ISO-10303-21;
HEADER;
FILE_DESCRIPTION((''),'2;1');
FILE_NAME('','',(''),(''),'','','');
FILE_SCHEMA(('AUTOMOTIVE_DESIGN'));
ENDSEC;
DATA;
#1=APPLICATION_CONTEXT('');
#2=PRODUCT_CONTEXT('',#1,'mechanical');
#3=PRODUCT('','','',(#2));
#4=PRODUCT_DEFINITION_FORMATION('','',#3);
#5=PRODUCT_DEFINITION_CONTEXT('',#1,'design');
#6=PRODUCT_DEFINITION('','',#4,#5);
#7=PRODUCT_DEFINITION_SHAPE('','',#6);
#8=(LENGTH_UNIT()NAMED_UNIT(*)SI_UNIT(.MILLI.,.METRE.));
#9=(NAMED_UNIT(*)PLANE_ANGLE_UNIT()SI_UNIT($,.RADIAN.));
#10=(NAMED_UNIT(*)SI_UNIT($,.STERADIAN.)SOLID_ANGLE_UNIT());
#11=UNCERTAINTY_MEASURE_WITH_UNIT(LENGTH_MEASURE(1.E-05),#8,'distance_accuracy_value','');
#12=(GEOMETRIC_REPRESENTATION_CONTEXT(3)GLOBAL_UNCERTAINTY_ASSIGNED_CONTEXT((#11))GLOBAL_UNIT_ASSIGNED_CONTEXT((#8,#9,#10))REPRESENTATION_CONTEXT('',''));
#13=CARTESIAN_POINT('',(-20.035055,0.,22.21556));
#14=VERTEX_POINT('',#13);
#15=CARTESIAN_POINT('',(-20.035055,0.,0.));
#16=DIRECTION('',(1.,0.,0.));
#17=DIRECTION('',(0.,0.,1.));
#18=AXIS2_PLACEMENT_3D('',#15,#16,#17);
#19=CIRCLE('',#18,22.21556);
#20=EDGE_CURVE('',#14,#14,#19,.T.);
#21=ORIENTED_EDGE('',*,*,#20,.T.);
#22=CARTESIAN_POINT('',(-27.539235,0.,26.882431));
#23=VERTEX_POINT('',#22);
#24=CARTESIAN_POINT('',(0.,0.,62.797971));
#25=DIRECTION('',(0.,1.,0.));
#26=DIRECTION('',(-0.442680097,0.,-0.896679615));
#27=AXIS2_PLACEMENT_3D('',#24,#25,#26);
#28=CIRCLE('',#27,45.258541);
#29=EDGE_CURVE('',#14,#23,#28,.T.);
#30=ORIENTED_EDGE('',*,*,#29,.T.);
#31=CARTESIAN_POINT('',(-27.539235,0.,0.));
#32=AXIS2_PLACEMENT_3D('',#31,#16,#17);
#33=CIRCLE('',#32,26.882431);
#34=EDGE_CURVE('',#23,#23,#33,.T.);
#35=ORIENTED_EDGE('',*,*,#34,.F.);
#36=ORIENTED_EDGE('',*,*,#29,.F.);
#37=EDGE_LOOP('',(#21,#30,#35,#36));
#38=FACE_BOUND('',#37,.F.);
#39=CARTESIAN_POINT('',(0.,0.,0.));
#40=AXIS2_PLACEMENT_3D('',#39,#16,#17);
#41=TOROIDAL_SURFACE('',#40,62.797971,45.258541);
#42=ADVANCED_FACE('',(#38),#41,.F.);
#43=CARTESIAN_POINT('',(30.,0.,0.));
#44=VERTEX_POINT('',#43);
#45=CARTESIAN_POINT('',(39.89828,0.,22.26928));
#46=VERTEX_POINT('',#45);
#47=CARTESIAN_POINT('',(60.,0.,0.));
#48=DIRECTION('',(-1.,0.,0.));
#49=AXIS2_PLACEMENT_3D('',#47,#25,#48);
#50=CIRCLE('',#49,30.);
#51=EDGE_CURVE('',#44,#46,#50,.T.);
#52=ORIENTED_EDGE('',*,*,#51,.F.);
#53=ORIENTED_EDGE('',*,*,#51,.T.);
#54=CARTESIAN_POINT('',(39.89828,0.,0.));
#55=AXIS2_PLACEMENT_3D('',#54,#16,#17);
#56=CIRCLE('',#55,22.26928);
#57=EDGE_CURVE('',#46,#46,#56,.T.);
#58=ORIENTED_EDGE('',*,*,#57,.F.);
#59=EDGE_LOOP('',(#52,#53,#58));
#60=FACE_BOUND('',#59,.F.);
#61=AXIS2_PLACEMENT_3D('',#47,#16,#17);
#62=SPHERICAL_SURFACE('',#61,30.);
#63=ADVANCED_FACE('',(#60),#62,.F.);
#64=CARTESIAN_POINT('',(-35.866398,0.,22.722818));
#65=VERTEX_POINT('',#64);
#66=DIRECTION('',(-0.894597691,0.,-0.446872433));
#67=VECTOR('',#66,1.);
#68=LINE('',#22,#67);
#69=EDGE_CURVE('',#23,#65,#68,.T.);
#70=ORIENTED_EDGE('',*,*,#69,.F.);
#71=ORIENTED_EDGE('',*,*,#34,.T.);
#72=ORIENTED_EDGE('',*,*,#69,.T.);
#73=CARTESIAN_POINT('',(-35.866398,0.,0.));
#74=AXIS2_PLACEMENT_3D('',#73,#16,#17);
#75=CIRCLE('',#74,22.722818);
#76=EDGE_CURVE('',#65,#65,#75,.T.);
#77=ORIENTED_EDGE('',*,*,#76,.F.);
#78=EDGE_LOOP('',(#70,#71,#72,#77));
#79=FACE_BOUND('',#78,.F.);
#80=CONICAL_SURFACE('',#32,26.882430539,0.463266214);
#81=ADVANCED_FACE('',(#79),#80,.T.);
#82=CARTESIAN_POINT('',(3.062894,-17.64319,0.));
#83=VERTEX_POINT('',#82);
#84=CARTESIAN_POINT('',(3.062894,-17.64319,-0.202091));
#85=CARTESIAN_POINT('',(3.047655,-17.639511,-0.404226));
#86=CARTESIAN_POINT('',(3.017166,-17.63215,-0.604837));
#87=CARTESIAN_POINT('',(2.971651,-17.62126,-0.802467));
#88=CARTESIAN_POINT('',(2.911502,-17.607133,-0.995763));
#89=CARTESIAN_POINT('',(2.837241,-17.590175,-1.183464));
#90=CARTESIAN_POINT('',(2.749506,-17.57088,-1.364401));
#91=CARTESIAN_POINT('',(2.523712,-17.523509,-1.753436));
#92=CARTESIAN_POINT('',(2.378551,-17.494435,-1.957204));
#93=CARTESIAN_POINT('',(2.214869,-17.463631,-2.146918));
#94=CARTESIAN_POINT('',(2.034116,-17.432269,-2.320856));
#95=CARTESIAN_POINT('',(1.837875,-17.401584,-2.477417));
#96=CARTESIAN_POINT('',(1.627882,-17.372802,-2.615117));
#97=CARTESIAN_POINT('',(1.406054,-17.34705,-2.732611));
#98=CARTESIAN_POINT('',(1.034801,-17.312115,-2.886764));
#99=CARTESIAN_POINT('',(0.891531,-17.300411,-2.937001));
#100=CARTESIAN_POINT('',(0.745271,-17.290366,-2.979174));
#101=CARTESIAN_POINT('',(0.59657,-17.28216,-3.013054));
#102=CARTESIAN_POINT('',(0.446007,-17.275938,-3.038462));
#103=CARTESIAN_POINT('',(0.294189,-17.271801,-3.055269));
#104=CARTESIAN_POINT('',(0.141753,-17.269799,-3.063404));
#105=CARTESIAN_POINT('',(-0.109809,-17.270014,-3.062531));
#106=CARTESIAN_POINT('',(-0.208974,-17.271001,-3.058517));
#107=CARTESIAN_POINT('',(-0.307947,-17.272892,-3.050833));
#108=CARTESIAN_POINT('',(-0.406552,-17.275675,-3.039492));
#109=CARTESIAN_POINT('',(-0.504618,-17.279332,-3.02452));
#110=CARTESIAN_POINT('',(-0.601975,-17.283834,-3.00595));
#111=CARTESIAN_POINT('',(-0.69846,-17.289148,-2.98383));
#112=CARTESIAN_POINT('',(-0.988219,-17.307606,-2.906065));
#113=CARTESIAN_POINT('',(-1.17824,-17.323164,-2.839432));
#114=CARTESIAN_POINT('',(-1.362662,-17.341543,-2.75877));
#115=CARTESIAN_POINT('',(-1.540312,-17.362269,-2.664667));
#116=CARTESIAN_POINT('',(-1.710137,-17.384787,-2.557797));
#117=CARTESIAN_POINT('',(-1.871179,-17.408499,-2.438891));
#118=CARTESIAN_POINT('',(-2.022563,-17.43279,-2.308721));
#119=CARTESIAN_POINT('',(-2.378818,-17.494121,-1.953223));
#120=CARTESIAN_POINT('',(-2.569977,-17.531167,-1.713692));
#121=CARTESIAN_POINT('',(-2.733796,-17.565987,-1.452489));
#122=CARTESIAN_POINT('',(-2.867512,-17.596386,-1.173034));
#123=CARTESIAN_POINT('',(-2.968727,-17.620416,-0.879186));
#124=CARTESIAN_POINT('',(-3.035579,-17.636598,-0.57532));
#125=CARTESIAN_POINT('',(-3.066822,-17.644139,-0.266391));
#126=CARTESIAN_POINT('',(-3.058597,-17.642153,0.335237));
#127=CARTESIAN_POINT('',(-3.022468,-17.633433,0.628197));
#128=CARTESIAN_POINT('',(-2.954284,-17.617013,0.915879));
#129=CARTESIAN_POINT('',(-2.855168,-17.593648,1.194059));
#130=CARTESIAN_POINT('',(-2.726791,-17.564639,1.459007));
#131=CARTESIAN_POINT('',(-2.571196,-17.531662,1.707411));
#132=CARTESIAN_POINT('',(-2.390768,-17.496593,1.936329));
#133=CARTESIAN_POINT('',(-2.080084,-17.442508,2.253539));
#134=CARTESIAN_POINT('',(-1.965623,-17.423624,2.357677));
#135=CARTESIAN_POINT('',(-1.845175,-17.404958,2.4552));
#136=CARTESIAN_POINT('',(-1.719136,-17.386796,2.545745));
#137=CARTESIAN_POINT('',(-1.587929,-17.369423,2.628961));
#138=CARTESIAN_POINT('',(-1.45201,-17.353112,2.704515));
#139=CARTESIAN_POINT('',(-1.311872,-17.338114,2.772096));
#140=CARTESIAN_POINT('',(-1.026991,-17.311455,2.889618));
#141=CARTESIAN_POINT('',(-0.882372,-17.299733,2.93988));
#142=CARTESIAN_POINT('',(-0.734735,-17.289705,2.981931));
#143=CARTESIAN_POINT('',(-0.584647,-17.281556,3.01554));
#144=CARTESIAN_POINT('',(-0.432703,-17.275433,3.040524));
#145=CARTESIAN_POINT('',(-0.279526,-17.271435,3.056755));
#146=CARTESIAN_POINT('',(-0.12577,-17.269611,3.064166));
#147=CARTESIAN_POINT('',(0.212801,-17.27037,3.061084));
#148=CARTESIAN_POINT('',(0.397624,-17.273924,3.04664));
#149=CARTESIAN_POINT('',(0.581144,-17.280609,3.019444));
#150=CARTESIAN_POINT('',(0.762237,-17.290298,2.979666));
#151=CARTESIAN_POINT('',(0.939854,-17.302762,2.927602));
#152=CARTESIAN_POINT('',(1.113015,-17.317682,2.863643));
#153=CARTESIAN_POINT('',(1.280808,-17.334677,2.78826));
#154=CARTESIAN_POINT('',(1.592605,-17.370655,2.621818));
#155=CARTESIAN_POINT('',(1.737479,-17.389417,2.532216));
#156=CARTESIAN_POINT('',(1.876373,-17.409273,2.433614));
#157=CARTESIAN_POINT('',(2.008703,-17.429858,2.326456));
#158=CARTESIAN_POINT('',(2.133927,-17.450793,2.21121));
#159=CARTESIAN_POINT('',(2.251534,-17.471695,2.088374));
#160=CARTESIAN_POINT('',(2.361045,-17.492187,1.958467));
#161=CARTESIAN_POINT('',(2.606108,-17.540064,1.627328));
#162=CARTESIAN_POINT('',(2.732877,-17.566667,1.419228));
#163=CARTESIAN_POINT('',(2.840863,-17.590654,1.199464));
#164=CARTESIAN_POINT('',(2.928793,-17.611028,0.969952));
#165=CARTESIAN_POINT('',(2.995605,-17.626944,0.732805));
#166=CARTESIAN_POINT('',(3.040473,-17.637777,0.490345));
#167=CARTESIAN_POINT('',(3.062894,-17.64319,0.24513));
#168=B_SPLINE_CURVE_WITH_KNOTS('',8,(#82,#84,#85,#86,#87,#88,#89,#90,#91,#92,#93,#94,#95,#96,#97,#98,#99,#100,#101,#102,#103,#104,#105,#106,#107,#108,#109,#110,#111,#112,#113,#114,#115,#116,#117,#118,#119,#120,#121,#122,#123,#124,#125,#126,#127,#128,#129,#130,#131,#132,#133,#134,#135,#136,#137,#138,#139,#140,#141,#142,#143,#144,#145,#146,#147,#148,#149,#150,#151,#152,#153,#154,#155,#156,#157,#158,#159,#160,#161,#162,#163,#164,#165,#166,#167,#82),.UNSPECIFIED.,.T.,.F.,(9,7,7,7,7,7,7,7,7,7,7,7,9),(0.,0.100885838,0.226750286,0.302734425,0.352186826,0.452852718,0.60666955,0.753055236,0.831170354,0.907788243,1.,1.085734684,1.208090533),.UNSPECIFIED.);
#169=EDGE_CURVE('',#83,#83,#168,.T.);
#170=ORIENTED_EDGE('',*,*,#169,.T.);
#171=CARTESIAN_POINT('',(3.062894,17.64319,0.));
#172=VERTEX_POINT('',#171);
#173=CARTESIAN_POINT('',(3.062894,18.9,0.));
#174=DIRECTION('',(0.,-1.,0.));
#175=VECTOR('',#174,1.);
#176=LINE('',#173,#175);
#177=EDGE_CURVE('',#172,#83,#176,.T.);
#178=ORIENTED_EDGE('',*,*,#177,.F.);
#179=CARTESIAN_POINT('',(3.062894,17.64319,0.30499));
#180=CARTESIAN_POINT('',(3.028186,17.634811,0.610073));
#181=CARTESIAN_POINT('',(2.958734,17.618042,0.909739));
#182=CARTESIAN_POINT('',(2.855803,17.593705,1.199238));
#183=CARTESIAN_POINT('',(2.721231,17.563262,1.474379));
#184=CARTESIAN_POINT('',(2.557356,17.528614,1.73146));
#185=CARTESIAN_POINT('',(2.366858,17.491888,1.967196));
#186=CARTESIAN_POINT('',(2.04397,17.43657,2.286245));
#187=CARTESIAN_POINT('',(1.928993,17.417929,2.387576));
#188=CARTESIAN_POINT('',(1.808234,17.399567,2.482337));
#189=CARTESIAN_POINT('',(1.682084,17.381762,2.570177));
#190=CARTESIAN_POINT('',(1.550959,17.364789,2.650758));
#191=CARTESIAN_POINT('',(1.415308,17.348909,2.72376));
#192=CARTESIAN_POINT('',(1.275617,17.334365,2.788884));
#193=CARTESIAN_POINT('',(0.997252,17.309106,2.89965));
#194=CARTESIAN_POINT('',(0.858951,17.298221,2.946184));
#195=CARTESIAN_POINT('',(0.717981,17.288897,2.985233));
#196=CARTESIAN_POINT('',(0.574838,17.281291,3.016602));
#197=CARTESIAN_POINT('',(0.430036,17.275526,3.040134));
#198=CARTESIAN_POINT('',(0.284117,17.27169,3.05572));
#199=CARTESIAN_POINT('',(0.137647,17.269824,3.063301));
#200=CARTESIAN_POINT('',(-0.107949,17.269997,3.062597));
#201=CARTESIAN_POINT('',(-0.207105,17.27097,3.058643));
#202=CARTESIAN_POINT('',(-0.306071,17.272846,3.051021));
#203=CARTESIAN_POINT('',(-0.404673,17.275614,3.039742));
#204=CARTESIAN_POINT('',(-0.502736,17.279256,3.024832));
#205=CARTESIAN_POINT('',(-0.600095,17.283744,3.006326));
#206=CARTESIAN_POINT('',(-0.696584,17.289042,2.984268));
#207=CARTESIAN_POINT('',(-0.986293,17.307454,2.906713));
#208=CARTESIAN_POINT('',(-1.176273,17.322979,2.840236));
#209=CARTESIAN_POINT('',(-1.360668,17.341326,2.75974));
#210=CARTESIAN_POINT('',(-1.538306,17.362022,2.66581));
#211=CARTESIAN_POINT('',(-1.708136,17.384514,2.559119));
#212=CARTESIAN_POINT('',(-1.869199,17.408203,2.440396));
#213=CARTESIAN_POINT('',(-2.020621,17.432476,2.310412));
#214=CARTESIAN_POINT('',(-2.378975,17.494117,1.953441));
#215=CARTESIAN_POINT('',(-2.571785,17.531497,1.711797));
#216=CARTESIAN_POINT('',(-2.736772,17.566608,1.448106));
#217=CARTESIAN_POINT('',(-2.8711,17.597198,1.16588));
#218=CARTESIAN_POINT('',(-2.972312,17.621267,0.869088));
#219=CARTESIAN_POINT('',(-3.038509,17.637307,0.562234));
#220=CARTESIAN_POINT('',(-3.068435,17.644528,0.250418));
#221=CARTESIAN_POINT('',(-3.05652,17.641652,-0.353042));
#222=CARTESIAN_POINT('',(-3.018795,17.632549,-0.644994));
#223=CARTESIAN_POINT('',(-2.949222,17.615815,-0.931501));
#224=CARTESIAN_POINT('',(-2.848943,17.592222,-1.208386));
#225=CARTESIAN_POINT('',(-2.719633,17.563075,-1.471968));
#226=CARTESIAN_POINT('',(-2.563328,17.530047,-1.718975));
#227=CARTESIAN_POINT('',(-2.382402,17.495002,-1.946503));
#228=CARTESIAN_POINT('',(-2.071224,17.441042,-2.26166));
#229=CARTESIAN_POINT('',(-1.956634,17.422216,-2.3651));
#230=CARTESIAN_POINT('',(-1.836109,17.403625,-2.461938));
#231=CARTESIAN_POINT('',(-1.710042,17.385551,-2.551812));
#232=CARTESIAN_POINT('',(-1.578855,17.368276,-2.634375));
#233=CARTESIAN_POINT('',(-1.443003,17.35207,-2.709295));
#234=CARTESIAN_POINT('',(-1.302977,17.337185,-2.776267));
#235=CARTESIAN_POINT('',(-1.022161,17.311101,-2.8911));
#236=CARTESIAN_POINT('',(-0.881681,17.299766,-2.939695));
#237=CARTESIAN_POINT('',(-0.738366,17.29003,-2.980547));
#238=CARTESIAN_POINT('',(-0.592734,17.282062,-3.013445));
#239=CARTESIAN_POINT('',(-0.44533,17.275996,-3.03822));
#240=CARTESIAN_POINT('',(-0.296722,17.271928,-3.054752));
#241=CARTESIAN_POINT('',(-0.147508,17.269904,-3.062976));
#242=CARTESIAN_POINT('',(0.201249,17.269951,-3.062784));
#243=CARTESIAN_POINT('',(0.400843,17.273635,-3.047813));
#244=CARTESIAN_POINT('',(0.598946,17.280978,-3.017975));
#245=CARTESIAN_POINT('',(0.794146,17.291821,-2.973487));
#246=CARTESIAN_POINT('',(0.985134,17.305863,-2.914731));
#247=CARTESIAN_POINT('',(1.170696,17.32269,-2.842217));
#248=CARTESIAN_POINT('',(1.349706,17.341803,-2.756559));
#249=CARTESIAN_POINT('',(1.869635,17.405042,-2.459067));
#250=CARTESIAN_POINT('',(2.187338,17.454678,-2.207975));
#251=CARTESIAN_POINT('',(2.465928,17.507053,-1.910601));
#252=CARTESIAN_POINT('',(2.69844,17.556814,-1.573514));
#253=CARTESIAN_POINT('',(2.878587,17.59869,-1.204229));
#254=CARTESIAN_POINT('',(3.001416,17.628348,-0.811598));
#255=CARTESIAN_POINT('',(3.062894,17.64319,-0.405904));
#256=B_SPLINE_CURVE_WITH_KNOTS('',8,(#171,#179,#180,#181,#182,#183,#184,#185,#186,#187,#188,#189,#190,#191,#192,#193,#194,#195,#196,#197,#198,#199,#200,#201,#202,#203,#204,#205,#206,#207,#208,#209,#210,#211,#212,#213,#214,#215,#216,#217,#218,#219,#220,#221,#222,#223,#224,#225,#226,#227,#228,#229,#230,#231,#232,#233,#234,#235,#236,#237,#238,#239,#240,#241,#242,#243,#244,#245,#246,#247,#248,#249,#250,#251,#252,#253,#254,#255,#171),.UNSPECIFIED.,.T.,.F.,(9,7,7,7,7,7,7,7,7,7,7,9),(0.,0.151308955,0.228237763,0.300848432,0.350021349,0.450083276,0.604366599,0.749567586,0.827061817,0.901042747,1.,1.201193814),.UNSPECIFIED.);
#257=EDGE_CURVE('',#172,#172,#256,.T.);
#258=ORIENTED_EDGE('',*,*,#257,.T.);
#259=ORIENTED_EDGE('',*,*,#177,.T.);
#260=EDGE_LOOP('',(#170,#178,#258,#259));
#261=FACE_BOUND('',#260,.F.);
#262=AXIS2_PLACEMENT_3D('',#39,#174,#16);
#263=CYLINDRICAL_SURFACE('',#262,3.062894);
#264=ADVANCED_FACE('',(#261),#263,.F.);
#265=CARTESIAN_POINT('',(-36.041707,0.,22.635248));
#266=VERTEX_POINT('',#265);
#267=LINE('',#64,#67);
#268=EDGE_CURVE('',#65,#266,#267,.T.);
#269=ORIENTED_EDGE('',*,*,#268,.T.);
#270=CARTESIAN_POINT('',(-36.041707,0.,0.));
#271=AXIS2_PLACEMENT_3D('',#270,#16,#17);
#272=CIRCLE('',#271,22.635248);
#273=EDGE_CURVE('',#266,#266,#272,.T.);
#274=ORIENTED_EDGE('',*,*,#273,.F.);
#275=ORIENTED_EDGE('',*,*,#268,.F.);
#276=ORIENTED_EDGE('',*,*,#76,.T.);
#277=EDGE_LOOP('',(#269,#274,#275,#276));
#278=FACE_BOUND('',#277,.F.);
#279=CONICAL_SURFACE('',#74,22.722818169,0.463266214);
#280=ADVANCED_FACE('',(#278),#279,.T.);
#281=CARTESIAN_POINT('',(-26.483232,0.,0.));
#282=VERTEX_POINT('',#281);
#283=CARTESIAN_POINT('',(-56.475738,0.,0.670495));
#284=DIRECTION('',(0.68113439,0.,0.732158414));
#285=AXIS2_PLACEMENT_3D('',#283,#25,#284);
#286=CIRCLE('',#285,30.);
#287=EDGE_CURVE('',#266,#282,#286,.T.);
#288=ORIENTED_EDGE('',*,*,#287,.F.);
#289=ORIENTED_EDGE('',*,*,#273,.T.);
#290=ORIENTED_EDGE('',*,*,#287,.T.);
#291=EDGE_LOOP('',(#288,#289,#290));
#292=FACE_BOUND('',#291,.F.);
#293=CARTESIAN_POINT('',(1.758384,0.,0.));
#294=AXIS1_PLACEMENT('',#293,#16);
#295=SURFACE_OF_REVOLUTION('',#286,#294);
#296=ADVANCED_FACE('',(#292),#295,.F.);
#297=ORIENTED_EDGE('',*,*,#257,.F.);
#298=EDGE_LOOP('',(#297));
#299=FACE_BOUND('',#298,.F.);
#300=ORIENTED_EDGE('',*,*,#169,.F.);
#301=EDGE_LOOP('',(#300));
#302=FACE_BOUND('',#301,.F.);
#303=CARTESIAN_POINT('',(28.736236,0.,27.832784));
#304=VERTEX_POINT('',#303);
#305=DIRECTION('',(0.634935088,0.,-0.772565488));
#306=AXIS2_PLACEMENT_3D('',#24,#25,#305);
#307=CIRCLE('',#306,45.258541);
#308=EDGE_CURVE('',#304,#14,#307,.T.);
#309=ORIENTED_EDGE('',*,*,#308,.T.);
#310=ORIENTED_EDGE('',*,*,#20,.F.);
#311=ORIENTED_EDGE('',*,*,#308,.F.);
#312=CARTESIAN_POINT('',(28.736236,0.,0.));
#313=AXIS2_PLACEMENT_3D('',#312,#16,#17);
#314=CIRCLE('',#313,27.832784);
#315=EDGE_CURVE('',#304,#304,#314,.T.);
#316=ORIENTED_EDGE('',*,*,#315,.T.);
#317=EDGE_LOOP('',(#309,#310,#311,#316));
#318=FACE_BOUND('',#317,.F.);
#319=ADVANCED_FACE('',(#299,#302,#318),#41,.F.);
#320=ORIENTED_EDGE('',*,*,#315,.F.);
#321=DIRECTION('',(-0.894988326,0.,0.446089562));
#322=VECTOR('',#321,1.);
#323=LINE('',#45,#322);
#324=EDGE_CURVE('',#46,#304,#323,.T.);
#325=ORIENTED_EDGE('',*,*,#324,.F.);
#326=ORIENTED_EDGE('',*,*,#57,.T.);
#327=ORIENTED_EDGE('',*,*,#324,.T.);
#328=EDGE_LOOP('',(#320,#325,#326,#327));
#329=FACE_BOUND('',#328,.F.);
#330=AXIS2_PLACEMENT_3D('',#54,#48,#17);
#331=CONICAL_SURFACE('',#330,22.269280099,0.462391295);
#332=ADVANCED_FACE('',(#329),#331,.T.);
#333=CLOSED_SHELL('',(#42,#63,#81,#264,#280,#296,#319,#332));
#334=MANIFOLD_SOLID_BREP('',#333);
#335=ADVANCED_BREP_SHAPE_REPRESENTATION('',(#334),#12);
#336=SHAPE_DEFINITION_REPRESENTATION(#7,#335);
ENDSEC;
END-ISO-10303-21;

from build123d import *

# Parameters (mm, degrees)
F2_R     = 3.062893842
F3_DEPTH = 18.9


with BuildPart() as f1:
    # F0 (on Front) → F1 (revolve)
    with BuildSketch(Plane.XZ):
        with BuildLine():
            ThreePointArc((-36.0417068005, 22.6352475584), (-28.8388511422, 12.3410760013), (-26.4832321554, 0))
            Line((-26.4832321554, 0), (30, 0))
            ThreePointArc((30, 0), (32.586028994, 12.1849987149), (39.8982795788, 22.2692800986))
            Line((39.8982795788, 22.2692800986), (28.7362357607, 27.8327842178))
            ThreePointArc((28.7362357607, 27.8327842178), (5.1784107005, 17.8366588124), (-20.0350553401, 22.2155599191))
            Line((-20.0350553401, 22.2155599191), (-35.8663984566, 22.7228181691))
            Line((-35.8663984566, 22.7228181691), (-36.0417068005, 22.6352475584))
        make_face()
        with BuildLine():
            Line((-27.539235386, 26.8824305387), (-35.8663984566, 22.7228181691))
            Line((-35.8663984566, 22.7228181691), (-20.0350553401, 22.2155599191))
            ThreePointArc((-20.0350553401, 22.2155599191), (-23.901322241, 24.3654024278), (-27.539235386, 26.8824305387))
        make_face()
    revolve(axis=Axis((1.7583839223, 0, 0), (1, 0, 0)))

    # F2 (on Front) → F3 (cut, symmetric)
    with BuildSketch(Plane.XZ):
        Circle(F2_R)
    extrude(amount=F3_DEPTH, both=True, mode=Mode.SUBTRACT)


solid = f1.part
